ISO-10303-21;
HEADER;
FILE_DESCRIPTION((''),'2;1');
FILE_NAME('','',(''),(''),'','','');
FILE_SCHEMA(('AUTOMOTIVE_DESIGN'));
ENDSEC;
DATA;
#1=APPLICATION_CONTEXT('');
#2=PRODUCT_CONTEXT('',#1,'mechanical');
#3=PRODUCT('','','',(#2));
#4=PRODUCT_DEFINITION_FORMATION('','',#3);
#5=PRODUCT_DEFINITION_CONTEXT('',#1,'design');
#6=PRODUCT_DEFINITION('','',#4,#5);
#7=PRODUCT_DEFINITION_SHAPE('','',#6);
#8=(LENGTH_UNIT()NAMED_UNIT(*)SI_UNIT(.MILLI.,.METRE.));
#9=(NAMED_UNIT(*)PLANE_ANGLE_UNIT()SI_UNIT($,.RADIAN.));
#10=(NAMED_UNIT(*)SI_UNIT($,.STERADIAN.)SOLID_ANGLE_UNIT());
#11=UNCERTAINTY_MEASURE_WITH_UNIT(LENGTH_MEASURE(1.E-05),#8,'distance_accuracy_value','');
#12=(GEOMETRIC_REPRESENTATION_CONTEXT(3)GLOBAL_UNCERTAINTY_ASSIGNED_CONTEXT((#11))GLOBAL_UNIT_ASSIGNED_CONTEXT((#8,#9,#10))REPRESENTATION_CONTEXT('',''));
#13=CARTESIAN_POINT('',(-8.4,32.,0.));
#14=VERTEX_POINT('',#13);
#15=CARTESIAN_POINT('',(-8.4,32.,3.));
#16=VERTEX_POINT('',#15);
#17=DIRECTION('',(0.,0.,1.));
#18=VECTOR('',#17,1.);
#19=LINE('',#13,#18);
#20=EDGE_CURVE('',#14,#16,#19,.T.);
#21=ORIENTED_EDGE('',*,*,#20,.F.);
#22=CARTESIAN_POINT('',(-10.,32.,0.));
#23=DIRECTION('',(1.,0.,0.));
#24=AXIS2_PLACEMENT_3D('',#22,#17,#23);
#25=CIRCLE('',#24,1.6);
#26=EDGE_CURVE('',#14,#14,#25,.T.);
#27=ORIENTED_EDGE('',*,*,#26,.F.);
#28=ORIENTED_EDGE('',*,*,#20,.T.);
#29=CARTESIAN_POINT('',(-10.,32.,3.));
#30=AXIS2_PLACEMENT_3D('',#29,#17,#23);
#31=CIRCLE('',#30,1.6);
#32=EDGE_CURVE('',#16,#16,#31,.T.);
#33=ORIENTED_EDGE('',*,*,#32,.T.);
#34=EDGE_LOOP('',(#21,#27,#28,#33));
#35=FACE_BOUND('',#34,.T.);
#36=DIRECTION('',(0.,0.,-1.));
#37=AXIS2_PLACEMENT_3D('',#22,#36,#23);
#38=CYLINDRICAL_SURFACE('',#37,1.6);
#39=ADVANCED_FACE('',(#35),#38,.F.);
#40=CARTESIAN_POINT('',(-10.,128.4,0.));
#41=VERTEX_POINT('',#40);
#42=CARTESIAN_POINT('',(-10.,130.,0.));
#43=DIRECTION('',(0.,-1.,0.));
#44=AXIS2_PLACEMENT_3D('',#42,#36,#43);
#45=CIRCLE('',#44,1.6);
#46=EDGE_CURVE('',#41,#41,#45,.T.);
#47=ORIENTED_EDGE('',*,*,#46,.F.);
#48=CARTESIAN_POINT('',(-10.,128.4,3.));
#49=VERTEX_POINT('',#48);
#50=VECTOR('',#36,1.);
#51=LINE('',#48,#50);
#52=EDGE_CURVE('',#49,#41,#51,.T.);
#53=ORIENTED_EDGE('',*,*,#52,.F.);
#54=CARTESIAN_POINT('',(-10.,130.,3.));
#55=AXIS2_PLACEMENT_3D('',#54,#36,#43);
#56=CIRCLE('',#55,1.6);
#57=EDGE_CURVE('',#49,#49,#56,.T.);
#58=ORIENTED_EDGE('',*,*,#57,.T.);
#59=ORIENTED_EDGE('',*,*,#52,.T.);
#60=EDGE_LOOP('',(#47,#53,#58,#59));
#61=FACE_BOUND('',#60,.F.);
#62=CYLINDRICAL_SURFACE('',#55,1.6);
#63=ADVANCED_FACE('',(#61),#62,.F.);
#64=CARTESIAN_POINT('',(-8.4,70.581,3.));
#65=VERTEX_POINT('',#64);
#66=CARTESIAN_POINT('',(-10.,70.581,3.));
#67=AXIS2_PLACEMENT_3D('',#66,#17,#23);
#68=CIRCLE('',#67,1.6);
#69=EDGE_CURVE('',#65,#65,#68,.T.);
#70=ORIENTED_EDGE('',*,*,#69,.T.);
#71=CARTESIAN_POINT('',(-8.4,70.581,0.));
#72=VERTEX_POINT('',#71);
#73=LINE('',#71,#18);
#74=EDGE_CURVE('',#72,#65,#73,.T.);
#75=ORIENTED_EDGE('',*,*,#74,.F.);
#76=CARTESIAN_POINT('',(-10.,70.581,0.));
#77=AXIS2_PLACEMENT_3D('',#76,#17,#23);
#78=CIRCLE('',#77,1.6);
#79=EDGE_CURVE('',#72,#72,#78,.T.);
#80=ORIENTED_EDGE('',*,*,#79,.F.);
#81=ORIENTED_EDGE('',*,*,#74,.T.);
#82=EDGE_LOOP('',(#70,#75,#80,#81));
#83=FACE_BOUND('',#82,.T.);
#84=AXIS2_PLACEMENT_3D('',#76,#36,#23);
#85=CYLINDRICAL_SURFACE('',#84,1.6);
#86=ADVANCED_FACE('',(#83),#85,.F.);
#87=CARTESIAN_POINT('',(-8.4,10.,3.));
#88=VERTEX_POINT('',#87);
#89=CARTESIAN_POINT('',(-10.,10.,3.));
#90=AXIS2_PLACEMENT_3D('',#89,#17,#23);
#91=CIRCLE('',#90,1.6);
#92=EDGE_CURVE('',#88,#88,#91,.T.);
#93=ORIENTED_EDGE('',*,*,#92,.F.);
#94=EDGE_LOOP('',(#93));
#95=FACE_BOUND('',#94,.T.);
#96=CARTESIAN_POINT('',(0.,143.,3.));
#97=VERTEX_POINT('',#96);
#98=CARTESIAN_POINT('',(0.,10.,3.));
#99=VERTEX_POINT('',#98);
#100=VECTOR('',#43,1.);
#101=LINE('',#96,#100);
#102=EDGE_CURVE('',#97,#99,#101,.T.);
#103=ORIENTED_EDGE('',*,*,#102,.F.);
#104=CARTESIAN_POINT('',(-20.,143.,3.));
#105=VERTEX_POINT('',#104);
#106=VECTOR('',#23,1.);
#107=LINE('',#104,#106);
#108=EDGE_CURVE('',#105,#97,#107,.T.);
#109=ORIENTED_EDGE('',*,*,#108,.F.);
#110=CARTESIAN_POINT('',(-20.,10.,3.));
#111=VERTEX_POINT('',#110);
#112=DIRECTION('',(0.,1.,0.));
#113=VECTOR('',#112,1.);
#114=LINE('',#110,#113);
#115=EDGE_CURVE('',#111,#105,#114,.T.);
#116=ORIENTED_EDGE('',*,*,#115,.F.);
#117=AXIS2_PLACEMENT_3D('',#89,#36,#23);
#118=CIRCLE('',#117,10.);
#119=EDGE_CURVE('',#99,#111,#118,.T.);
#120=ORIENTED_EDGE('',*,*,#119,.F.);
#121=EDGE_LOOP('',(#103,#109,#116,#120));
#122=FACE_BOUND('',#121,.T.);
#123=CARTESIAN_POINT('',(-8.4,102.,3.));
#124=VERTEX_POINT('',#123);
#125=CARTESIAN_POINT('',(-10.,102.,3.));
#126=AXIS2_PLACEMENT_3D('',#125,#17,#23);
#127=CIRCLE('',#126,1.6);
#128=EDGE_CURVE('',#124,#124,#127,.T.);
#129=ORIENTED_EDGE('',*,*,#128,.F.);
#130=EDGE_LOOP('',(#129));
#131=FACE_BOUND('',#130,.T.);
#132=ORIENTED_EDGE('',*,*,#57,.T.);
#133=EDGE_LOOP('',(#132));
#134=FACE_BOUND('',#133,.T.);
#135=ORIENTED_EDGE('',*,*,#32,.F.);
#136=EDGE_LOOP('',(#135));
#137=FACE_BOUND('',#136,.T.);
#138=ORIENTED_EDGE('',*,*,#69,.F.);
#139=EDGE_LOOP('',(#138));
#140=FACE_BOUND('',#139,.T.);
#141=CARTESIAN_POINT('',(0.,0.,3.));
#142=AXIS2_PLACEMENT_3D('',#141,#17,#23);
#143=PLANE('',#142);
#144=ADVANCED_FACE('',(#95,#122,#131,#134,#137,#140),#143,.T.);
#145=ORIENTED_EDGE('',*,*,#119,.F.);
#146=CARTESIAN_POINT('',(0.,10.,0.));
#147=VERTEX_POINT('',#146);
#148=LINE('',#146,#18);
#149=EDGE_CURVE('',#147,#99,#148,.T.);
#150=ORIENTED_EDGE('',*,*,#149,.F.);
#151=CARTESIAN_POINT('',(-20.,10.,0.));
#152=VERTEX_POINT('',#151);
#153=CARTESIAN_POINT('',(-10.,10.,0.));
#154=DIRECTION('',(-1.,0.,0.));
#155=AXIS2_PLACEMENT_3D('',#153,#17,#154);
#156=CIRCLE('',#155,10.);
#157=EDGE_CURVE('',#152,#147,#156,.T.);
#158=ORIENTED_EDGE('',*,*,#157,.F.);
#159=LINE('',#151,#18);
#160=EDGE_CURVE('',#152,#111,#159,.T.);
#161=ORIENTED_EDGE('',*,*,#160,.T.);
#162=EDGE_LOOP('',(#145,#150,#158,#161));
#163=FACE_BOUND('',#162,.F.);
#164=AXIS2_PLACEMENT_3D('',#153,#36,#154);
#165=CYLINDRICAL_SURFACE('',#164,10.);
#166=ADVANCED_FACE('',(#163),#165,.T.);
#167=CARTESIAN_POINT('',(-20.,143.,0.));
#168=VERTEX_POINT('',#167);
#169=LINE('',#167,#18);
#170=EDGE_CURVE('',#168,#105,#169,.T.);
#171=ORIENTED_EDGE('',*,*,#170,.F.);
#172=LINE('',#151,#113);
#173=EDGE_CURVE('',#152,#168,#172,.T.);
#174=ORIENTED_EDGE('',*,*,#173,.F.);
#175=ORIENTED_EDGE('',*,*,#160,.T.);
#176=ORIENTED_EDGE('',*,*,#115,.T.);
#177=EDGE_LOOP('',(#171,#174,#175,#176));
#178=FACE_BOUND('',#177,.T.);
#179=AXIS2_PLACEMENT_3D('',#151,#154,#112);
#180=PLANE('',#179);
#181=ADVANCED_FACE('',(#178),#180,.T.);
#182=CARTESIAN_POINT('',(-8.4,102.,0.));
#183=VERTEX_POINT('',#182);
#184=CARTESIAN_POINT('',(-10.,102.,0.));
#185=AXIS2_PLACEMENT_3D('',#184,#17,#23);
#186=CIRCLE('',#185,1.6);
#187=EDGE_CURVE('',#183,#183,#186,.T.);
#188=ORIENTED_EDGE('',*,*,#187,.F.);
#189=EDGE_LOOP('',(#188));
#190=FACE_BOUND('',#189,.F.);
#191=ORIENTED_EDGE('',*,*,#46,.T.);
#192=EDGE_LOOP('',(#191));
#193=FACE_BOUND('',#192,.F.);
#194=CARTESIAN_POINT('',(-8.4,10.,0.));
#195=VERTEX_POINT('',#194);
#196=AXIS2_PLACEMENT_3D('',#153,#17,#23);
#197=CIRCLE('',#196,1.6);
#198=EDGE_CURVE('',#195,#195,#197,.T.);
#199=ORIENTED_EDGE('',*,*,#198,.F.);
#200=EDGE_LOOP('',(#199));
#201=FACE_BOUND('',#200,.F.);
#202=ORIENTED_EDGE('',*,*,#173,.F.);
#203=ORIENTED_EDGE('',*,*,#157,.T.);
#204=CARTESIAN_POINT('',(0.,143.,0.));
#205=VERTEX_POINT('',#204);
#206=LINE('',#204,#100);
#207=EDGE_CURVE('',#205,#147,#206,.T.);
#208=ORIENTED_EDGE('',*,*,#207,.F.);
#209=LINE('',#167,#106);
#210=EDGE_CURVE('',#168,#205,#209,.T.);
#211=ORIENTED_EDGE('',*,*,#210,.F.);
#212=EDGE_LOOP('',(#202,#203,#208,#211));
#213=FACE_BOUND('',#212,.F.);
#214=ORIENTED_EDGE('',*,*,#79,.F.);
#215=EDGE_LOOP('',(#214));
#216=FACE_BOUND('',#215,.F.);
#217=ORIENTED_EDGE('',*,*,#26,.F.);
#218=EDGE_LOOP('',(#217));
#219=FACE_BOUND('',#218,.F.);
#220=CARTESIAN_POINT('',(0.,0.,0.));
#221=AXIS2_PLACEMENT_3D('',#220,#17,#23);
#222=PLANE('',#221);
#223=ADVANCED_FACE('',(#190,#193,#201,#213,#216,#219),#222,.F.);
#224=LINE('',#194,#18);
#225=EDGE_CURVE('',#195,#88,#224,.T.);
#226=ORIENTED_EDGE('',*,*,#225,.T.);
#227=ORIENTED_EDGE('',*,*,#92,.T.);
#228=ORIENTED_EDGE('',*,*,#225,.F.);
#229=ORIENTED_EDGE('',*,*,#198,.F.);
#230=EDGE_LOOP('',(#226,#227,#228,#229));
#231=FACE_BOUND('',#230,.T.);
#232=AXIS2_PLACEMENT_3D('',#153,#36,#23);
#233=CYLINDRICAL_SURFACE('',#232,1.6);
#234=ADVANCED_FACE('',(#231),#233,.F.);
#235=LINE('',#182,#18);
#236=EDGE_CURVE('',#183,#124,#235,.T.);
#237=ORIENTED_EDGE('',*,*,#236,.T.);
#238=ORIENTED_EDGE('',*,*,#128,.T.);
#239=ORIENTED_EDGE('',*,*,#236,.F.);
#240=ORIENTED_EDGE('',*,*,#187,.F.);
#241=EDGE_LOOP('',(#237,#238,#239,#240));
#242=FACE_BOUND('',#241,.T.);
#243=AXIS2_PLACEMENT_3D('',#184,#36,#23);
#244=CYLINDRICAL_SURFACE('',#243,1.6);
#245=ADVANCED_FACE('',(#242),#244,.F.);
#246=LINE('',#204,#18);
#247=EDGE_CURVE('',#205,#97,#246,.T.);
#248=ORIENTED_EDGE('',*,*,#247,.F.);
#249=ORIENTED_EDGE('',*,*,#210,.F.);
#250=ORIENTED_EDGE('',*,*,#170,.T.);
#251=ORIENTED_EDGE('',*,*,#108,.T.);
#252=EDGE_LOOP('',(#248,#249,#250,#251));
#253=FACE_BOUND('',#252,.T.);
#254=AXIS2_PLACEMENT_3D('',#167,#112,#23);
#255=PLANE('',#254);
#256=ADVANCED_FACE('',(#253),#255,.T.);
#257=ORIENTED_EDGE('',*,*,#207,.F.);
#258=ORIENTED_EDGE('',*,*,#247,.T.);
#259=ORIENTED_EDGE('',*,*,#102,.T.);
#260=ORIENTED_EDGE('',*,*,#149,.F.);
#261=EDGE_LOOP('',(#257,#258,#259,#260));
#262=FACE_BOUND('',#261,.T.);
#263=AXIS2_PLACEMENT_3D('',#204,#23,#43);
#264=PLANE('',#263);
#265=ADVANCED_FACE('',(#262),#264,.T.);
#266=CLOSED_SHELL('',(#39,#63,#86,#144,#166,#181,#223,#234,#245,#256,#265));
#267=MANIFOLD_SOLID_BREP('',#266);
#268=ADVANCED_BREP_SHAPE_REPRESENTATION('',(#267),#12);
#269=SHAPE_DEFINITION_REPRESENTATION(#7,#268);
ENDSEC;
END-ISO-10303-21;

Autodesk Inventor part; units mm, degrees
ref_plane "YZ Plane" through (0, 0, 0) normal (1, 0, 0) x (0, 1, 0)
ref_plane "XZ Plane" through (0, 0, 0) normal (0, 1, 0) x (-1, 0, 0)
ref_plane "XY Plane" through (0, 0, 0) normal (0, 0, 1) x (1, 0, 0)
sketch "Szkic1" plane through (0, 0, 0) normal (0, 0, 1) x (1, 0, 0)
  line L0 (-10, 0) -> (-10, 0)
  line L1 (-20, 10) -> (-20, 143)
  line L2 (-20, 143) -> (0, 143)
  line L3 (0, 143) -> (0, 10)
  arc A0 (-20, 10) -> (-10, 0) centre (-10, 10) ccw
  arc A1 (-10, 0) -> (0, 10) centre (-10, 10) ccw
  circle A2 centre (-10, 10) radius 1.6
  circle A3 centre (-10, 32) radius 1.6
  circle A4 centre (-10, 70.581) radius 1.6
  circle A5 centre (-10, 102) radius 1.6
  point P0 (0, 0)
  point P1 (-20, 0)
  dimension "d0" = 20
  dimension "d1" = 143
  dimension "d2" = 10
  dimension "d3" = 3.2
  dimension "d5" = 3.2
  dimension "d6" = 60.581
  dimension "d7" = 3.2
  dimension "d8" = 102
  dimension "d9" = 3.2
  dimension "d20" = 32
extrude "Wyciągnięcie proste1" add sketch "Szkic1" along normal blind 3
sketch "Szkic2" plane through (0, 0, 3) normal (0, 0, 1) x (1, 0, 0)
  line L0 (0, 143) -> (-20, 143) projected
  point P0 (0, 0)
  point P1 (-10, 130)
  dimension "d12" = 13
hole "Otwór1" at (-10, 130, 3) direction (0, 0, -1) diameter 3.2 end through all
properties material "Drewno (wiśnia)"
